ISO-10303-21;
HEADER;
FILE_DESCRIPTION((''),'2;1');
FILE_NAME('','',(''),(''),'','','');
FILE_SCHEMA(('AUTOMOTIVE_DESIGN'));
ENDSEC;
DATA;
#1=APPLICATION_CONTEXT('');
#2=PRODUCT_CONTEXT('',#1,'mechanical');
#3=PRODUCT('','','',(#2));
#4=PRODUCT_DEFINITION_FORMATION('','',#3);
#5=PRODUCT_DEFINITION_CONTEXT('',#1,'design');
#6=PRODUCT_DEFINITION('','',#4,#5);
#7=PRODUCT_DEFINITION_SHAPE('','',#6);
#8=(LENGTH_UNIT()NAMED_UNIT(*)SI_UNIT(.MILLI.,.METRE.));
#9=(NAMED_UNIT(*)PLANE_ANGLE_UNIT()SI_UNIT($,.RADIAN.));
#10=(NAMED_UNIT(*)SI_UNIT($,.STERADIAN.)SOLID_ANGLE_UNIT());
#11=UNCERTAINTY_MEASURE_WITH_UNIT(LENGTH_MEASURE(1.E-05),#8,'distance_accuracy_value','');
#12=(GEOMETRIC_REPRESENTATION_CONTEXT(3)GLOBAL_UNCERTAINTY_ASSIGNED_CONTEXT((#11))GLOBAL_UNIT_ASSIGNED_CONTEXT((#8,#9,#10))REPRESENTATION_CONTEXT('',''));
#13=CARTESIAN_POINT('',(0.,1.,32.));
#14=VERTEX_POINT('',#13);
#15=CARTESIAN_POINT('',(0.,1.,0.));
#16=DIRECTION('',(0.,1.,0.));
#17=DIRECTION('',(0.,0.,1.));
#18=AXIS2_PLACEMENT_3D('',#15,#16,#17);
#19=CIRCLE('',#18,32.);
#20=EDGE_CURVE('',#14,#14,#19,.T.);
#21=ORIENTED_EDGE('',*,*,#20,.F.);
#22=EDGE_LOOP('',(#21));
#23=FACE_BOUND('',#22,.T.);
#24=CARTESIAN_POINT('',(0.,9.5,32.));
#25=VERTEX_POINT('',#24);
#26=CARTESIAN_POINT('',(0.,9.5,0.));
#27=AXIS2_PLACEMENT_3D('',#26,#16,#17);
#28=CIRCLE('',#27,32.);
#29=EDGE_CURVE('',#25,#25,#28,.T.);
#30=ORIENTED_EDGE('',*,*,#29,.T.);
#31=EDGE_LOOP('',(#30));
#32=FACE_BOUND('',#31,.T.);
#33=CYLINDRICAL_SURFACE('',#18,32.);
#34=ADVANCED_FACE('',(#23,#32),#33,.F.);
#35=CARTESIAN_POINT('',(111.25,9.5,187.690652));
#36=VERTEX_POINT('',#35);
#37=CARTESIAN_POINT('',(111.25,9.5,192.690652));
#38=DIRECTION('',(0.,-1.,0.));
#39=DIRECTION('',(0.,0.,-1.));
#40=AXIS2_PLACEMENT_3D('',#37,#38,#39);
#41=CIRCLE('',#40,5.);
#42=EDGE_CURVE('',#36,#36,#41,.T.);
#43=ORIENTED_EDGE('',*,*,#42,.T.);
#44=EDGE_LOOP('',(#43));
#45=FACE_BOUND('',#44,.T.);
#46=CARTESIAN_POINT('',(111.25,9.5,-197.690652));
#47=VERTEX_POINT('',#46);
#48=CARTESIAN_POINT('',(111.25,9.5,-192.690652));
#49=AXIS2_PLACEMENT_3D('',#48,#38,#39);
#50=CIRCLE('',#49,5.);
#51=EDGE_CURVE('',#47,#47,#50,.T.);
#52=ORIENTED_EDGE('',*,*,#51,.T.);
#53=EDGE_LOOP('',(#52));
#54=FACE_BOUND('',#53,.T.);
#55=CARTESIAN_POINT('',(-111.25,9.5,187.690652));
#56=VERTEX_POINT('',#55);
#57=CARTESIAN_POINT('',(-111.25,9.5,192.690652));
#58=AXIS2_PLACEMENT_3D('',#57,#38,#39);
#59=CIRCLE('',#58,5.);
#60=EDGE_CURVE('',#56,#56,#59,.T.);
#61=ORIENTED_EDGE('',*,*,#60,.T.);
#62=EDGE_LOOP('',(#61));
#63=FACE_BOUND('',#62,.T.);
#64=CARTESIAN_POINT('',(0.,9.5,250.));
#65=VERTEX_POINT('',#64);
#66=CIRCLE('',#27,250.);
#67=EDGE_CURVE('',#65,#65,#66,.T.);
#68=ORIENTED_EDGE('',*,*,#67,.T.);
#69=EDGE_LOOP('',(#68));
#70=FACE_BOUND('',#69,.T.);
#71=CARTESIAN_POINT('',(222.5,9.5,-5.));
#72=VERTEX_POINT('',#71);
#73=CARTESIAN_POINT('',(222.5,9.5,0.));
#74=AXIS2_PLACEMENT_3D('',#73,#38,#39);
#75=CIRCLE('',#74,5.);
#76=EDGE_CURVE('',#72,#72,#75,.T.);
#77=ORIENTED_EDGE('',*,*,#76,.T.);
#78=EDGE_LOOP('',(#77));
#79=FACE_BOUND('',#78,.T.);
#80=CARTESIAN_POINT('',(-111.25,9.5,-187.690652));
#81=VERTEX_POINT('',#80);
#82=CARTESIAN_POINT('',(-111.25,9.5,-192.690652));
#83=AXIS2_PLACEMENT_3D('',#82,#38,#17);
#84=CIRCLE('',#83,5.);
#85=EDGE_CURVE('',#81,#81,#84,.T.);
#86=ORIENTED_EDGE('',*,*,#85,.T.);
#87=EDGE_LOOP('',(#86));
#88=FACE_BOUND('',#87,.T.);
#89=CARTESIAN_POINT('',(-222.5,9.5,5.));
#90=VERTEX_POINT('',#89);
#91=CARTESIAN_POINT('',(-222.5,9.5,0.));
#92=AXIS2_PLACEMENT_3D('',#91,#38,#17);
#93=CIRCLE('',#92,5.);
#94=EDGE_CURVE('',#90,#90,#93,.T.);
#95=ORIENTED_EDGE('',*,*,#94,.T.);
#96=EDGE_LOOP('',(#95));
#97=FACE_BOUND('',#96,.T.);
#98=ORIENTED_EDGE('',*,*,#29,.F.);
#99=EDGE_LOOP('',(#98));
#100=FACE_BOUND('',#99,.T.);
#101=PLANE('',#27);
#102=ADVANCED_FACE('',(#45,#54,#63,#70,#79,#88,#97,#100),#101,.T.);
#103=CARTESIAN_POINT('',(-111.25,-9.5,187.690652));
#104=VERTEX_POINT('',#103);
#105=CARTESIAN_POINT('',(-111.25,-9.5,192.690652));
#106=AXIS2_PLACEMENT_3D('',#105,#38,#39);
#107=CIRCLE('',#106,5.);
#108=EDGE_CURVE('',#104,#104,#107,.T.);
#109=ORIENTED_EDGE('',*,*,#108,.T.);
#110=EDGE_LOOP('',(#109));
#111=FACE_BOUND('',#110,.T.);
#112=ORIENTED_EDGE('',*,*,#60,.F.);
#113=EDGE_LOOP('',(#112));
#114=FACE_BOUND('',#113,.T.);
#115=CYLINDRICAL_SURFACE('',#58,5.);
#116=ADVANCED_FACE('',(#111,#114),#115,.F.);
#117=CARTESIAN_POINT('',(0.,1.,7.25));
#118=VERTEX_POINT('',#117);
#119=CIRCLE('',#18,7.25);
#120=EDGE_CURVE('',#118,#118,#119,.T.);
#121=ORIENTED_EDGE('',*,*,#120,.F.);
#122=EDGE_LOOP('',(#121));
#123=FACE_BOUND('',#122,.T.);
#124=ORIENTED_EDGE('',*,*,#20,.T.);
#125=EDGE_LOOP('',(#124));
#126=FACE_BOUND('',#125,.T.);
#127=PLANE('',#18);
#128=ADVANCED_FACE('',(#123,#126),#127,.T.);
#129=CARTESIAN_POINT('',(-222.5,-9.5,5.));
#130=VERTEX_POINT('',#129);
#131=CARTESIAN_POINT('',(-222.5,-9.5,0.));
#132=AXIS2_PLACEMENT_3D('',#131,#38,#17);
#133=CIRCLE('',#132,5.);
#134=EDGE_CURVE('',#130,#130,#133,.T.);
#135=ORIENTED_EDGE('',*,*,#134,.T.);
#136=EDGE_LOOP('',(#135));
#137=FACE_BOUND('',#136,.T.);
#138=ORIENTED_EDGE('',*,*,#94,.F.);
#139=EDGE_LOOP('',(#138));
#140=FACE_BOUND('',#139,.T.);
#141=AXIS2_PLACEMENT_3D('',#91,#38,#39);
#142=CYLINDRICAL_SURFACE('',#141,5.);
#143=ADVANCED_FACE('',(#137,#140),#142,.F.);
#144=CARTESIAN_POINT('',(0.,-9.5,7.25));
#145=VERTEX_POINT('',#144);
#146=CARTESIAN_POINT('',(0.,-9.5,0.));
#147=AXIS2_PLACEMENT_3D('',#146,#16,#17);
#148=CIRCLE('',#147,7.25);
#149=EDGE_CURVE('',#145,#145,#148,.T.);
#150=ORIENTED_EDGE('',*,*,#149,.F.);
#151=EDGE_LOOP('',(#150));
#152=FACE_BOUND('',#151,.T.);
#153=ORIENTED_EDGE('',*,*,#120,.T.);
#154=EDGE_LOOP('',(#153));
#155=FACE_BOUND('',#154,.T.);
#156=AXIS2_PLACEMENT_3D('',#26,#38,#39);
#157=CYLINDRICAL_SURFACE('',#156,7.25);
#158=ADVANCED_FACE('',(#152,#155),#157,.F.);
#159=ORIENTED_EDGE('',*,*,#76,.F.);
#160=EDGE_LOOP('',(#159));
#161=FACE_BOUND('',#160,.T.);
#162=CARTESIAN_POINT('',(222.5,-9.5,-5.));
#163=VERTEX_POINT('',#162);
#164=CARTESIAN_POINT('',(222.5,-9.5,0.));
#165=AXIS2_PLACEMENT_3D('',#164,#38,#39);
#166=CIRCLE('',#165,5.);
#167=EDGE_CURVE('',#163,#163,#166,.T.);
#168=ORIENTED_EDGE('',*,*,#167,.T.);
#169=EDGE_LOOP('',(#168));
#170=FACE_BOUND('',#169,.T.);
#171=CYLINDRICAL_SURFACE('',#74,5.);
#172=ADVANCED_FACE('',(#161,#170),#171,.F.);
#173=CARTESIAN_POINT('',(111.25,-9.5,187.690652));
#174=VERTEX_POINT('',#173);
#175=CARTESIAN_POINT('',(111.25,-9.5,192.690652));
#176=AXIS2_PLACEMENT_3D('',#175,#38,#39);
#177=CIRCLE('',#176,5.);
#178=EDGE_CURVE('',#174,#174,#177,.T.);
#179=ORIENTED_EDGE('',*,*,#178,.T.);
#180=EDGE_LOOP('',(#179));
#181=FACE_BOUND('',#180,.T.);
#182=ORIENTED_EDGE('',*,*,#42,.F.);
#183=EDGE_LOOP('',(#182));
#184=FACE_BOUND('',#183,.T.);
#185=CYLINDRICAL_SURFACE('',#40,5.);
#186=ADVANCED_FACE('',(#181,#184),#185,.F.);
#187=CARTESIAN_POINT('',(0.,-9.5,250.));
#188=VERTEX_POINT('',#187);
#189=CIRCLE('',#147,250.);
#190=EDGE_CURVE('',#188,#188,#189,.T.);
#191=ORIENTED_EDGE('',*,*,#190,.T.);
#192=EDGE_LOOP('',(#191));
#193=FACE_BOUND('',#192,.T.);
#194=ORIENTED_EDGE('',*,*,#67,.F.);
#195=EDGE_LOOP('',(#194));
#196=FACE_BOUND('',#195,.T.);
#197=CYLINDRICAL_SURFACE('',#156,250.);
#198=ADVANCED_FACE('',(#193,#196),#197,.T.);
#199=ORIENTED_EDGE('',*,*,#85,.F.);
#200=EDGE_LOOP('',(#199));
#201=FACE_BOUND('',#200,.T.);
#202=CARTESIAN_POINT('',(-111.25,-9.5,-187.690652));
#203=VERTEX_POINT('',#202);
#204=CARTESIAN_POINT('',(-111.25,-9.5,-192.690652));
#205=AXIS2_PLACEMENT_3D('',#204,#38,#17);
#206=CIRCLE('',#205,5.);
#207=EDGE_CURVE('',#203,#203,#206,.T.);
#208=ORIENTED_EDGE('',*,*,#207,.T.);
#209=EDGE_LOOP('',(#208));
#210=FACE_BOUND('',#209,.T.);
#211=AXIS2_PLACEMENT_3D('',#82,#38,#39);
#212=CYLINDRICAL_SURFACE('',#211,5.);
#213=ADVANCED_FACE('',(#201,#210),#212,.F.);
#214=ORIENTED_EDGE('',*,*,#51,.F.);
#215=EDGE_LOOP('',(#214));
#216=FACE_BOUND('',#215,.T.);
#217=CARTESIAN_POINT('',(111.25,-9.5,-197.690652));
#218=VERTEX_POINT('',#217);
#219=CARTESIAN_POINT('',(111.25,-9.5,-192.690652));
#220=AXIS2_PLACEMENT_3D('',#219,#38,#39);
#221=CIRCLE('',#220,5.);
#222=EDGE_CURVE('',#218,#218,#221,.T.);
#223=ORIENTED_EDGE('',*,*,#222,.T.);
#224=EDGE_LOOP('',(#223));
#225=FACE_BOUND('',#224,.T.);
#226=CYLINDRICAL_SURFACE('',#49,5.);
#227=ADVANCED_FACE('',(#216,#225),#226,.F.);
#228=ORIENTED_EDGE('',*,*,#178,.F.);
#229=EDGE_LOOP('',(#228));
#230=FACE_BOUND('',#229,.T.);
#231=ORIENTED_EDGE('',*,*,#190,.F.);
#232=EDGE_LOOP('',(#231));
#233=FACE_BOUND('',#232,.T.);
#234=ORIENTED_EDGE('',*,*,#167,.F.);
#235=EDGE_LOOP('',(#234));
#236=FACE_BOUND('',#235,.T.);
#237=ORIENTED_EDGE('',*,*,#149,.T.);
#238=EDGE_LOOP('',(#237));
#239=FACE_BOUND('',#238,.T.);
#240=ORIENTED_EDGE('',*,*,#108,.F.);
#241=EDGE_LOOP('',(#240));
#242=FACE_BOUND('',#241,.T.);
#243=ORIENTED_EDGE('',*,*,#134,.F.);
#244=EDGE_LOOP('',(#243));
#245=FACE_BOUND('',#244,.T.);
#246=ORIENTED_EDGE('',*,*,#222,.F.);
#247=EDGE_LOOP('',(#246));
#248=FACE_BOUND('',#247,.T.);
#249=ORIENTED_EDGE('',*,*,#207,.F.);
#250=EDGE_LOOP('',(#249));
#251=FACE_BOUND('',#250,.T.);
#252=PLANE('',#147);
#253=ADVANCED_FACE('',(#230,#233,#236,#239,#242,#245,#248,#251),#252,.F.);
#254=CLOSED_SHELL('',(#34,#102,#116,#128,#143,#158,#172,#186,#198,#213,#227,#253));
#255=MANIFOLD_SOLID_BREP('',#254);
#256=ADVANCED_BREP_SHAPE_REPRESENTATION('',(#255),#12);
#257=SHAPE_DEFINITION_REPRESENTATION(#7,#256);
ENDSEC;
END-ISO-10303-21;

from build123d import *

# Parameters (mm, degrees)
SKETCH1_R           = 250
SKETCH1_R_2         = 7.25
BOSS_EXTRUDE1_DEPTH = 9.5
SKETCH2_R           = 32
CUT_EXTRUDE1_DEPTH  = 8.5
SKETCH3_R           = 5
CUT_EXTRUDE2_DEPTH  = 355.063553617


with BuildPart() as part:
    # Sketch1 → Boss-Extrude1 (new, symmetric)
    with BuildSketch(Plane(origin=(0, 0, 0), x_dir=(1, 0, 0), z_dir=(0, 1, 0))):
        with Locations(Location((0, 0, 0), (0, 0, 270))):
            Circle(SKETCH1_R)
        with Locations(Location((0, 0, 0), (0, 0, 270))):
            Circle(SKETCH1_R_2, mode=Mode.SUBTRACT)
    extrude(amount=BOSS_EXTRUDE1_DEPTH, both=True)

    # Sketch2 → Cut-Extrude1 (cut)
    with BuildSketch(Plane(origin=(0, 9.5, 0), x_dir=(1, 0, 0), z_dir=(0, 1, 0))):
        with Locations(Location((0, 0, 0), (0, 0, 270))):
            Circle(SKETCH2_R)
    extrude(amount=-CUT_EXTRUDE1_DEPTH, mode=Mode.SUBTRACT)

    # Sketch3 → Cut-Extrude2 (cut, through all)
    with BuildSketch(Plane.XZ.offset(9.5)):
        with Locations(Location((111.25, 192.690652342, 0), (0, 0, 270))):
            Circle(SKETCH3_R)
        with Locations(Location((222.5, 0, 0), (0, 0, 270))):
            Circle(SKETCH3_R)
        with Locations(Location((-111.25, -192.690652342, 0), (0, 0, 90))):
            Circle(SKETCH3_R)
        with Locations(Location((-222.5, 0, 0), (0, 0, 90))):
            Circle(SKETCH3_R)
        with Locations(Location((-111.25, 192.690652342, 0), (0, 0, 270))):
            Circle(SKETCH3_R)
        with Locations(Location((111.25, -192.690652342, 0), (0, 0, 270))):
            Circle(SKETCH3_R)
    extrude(amount=-CUT_EXTRUDE2_DEPTH, mode=Mode.SUBTRACT)


solid = part.part
